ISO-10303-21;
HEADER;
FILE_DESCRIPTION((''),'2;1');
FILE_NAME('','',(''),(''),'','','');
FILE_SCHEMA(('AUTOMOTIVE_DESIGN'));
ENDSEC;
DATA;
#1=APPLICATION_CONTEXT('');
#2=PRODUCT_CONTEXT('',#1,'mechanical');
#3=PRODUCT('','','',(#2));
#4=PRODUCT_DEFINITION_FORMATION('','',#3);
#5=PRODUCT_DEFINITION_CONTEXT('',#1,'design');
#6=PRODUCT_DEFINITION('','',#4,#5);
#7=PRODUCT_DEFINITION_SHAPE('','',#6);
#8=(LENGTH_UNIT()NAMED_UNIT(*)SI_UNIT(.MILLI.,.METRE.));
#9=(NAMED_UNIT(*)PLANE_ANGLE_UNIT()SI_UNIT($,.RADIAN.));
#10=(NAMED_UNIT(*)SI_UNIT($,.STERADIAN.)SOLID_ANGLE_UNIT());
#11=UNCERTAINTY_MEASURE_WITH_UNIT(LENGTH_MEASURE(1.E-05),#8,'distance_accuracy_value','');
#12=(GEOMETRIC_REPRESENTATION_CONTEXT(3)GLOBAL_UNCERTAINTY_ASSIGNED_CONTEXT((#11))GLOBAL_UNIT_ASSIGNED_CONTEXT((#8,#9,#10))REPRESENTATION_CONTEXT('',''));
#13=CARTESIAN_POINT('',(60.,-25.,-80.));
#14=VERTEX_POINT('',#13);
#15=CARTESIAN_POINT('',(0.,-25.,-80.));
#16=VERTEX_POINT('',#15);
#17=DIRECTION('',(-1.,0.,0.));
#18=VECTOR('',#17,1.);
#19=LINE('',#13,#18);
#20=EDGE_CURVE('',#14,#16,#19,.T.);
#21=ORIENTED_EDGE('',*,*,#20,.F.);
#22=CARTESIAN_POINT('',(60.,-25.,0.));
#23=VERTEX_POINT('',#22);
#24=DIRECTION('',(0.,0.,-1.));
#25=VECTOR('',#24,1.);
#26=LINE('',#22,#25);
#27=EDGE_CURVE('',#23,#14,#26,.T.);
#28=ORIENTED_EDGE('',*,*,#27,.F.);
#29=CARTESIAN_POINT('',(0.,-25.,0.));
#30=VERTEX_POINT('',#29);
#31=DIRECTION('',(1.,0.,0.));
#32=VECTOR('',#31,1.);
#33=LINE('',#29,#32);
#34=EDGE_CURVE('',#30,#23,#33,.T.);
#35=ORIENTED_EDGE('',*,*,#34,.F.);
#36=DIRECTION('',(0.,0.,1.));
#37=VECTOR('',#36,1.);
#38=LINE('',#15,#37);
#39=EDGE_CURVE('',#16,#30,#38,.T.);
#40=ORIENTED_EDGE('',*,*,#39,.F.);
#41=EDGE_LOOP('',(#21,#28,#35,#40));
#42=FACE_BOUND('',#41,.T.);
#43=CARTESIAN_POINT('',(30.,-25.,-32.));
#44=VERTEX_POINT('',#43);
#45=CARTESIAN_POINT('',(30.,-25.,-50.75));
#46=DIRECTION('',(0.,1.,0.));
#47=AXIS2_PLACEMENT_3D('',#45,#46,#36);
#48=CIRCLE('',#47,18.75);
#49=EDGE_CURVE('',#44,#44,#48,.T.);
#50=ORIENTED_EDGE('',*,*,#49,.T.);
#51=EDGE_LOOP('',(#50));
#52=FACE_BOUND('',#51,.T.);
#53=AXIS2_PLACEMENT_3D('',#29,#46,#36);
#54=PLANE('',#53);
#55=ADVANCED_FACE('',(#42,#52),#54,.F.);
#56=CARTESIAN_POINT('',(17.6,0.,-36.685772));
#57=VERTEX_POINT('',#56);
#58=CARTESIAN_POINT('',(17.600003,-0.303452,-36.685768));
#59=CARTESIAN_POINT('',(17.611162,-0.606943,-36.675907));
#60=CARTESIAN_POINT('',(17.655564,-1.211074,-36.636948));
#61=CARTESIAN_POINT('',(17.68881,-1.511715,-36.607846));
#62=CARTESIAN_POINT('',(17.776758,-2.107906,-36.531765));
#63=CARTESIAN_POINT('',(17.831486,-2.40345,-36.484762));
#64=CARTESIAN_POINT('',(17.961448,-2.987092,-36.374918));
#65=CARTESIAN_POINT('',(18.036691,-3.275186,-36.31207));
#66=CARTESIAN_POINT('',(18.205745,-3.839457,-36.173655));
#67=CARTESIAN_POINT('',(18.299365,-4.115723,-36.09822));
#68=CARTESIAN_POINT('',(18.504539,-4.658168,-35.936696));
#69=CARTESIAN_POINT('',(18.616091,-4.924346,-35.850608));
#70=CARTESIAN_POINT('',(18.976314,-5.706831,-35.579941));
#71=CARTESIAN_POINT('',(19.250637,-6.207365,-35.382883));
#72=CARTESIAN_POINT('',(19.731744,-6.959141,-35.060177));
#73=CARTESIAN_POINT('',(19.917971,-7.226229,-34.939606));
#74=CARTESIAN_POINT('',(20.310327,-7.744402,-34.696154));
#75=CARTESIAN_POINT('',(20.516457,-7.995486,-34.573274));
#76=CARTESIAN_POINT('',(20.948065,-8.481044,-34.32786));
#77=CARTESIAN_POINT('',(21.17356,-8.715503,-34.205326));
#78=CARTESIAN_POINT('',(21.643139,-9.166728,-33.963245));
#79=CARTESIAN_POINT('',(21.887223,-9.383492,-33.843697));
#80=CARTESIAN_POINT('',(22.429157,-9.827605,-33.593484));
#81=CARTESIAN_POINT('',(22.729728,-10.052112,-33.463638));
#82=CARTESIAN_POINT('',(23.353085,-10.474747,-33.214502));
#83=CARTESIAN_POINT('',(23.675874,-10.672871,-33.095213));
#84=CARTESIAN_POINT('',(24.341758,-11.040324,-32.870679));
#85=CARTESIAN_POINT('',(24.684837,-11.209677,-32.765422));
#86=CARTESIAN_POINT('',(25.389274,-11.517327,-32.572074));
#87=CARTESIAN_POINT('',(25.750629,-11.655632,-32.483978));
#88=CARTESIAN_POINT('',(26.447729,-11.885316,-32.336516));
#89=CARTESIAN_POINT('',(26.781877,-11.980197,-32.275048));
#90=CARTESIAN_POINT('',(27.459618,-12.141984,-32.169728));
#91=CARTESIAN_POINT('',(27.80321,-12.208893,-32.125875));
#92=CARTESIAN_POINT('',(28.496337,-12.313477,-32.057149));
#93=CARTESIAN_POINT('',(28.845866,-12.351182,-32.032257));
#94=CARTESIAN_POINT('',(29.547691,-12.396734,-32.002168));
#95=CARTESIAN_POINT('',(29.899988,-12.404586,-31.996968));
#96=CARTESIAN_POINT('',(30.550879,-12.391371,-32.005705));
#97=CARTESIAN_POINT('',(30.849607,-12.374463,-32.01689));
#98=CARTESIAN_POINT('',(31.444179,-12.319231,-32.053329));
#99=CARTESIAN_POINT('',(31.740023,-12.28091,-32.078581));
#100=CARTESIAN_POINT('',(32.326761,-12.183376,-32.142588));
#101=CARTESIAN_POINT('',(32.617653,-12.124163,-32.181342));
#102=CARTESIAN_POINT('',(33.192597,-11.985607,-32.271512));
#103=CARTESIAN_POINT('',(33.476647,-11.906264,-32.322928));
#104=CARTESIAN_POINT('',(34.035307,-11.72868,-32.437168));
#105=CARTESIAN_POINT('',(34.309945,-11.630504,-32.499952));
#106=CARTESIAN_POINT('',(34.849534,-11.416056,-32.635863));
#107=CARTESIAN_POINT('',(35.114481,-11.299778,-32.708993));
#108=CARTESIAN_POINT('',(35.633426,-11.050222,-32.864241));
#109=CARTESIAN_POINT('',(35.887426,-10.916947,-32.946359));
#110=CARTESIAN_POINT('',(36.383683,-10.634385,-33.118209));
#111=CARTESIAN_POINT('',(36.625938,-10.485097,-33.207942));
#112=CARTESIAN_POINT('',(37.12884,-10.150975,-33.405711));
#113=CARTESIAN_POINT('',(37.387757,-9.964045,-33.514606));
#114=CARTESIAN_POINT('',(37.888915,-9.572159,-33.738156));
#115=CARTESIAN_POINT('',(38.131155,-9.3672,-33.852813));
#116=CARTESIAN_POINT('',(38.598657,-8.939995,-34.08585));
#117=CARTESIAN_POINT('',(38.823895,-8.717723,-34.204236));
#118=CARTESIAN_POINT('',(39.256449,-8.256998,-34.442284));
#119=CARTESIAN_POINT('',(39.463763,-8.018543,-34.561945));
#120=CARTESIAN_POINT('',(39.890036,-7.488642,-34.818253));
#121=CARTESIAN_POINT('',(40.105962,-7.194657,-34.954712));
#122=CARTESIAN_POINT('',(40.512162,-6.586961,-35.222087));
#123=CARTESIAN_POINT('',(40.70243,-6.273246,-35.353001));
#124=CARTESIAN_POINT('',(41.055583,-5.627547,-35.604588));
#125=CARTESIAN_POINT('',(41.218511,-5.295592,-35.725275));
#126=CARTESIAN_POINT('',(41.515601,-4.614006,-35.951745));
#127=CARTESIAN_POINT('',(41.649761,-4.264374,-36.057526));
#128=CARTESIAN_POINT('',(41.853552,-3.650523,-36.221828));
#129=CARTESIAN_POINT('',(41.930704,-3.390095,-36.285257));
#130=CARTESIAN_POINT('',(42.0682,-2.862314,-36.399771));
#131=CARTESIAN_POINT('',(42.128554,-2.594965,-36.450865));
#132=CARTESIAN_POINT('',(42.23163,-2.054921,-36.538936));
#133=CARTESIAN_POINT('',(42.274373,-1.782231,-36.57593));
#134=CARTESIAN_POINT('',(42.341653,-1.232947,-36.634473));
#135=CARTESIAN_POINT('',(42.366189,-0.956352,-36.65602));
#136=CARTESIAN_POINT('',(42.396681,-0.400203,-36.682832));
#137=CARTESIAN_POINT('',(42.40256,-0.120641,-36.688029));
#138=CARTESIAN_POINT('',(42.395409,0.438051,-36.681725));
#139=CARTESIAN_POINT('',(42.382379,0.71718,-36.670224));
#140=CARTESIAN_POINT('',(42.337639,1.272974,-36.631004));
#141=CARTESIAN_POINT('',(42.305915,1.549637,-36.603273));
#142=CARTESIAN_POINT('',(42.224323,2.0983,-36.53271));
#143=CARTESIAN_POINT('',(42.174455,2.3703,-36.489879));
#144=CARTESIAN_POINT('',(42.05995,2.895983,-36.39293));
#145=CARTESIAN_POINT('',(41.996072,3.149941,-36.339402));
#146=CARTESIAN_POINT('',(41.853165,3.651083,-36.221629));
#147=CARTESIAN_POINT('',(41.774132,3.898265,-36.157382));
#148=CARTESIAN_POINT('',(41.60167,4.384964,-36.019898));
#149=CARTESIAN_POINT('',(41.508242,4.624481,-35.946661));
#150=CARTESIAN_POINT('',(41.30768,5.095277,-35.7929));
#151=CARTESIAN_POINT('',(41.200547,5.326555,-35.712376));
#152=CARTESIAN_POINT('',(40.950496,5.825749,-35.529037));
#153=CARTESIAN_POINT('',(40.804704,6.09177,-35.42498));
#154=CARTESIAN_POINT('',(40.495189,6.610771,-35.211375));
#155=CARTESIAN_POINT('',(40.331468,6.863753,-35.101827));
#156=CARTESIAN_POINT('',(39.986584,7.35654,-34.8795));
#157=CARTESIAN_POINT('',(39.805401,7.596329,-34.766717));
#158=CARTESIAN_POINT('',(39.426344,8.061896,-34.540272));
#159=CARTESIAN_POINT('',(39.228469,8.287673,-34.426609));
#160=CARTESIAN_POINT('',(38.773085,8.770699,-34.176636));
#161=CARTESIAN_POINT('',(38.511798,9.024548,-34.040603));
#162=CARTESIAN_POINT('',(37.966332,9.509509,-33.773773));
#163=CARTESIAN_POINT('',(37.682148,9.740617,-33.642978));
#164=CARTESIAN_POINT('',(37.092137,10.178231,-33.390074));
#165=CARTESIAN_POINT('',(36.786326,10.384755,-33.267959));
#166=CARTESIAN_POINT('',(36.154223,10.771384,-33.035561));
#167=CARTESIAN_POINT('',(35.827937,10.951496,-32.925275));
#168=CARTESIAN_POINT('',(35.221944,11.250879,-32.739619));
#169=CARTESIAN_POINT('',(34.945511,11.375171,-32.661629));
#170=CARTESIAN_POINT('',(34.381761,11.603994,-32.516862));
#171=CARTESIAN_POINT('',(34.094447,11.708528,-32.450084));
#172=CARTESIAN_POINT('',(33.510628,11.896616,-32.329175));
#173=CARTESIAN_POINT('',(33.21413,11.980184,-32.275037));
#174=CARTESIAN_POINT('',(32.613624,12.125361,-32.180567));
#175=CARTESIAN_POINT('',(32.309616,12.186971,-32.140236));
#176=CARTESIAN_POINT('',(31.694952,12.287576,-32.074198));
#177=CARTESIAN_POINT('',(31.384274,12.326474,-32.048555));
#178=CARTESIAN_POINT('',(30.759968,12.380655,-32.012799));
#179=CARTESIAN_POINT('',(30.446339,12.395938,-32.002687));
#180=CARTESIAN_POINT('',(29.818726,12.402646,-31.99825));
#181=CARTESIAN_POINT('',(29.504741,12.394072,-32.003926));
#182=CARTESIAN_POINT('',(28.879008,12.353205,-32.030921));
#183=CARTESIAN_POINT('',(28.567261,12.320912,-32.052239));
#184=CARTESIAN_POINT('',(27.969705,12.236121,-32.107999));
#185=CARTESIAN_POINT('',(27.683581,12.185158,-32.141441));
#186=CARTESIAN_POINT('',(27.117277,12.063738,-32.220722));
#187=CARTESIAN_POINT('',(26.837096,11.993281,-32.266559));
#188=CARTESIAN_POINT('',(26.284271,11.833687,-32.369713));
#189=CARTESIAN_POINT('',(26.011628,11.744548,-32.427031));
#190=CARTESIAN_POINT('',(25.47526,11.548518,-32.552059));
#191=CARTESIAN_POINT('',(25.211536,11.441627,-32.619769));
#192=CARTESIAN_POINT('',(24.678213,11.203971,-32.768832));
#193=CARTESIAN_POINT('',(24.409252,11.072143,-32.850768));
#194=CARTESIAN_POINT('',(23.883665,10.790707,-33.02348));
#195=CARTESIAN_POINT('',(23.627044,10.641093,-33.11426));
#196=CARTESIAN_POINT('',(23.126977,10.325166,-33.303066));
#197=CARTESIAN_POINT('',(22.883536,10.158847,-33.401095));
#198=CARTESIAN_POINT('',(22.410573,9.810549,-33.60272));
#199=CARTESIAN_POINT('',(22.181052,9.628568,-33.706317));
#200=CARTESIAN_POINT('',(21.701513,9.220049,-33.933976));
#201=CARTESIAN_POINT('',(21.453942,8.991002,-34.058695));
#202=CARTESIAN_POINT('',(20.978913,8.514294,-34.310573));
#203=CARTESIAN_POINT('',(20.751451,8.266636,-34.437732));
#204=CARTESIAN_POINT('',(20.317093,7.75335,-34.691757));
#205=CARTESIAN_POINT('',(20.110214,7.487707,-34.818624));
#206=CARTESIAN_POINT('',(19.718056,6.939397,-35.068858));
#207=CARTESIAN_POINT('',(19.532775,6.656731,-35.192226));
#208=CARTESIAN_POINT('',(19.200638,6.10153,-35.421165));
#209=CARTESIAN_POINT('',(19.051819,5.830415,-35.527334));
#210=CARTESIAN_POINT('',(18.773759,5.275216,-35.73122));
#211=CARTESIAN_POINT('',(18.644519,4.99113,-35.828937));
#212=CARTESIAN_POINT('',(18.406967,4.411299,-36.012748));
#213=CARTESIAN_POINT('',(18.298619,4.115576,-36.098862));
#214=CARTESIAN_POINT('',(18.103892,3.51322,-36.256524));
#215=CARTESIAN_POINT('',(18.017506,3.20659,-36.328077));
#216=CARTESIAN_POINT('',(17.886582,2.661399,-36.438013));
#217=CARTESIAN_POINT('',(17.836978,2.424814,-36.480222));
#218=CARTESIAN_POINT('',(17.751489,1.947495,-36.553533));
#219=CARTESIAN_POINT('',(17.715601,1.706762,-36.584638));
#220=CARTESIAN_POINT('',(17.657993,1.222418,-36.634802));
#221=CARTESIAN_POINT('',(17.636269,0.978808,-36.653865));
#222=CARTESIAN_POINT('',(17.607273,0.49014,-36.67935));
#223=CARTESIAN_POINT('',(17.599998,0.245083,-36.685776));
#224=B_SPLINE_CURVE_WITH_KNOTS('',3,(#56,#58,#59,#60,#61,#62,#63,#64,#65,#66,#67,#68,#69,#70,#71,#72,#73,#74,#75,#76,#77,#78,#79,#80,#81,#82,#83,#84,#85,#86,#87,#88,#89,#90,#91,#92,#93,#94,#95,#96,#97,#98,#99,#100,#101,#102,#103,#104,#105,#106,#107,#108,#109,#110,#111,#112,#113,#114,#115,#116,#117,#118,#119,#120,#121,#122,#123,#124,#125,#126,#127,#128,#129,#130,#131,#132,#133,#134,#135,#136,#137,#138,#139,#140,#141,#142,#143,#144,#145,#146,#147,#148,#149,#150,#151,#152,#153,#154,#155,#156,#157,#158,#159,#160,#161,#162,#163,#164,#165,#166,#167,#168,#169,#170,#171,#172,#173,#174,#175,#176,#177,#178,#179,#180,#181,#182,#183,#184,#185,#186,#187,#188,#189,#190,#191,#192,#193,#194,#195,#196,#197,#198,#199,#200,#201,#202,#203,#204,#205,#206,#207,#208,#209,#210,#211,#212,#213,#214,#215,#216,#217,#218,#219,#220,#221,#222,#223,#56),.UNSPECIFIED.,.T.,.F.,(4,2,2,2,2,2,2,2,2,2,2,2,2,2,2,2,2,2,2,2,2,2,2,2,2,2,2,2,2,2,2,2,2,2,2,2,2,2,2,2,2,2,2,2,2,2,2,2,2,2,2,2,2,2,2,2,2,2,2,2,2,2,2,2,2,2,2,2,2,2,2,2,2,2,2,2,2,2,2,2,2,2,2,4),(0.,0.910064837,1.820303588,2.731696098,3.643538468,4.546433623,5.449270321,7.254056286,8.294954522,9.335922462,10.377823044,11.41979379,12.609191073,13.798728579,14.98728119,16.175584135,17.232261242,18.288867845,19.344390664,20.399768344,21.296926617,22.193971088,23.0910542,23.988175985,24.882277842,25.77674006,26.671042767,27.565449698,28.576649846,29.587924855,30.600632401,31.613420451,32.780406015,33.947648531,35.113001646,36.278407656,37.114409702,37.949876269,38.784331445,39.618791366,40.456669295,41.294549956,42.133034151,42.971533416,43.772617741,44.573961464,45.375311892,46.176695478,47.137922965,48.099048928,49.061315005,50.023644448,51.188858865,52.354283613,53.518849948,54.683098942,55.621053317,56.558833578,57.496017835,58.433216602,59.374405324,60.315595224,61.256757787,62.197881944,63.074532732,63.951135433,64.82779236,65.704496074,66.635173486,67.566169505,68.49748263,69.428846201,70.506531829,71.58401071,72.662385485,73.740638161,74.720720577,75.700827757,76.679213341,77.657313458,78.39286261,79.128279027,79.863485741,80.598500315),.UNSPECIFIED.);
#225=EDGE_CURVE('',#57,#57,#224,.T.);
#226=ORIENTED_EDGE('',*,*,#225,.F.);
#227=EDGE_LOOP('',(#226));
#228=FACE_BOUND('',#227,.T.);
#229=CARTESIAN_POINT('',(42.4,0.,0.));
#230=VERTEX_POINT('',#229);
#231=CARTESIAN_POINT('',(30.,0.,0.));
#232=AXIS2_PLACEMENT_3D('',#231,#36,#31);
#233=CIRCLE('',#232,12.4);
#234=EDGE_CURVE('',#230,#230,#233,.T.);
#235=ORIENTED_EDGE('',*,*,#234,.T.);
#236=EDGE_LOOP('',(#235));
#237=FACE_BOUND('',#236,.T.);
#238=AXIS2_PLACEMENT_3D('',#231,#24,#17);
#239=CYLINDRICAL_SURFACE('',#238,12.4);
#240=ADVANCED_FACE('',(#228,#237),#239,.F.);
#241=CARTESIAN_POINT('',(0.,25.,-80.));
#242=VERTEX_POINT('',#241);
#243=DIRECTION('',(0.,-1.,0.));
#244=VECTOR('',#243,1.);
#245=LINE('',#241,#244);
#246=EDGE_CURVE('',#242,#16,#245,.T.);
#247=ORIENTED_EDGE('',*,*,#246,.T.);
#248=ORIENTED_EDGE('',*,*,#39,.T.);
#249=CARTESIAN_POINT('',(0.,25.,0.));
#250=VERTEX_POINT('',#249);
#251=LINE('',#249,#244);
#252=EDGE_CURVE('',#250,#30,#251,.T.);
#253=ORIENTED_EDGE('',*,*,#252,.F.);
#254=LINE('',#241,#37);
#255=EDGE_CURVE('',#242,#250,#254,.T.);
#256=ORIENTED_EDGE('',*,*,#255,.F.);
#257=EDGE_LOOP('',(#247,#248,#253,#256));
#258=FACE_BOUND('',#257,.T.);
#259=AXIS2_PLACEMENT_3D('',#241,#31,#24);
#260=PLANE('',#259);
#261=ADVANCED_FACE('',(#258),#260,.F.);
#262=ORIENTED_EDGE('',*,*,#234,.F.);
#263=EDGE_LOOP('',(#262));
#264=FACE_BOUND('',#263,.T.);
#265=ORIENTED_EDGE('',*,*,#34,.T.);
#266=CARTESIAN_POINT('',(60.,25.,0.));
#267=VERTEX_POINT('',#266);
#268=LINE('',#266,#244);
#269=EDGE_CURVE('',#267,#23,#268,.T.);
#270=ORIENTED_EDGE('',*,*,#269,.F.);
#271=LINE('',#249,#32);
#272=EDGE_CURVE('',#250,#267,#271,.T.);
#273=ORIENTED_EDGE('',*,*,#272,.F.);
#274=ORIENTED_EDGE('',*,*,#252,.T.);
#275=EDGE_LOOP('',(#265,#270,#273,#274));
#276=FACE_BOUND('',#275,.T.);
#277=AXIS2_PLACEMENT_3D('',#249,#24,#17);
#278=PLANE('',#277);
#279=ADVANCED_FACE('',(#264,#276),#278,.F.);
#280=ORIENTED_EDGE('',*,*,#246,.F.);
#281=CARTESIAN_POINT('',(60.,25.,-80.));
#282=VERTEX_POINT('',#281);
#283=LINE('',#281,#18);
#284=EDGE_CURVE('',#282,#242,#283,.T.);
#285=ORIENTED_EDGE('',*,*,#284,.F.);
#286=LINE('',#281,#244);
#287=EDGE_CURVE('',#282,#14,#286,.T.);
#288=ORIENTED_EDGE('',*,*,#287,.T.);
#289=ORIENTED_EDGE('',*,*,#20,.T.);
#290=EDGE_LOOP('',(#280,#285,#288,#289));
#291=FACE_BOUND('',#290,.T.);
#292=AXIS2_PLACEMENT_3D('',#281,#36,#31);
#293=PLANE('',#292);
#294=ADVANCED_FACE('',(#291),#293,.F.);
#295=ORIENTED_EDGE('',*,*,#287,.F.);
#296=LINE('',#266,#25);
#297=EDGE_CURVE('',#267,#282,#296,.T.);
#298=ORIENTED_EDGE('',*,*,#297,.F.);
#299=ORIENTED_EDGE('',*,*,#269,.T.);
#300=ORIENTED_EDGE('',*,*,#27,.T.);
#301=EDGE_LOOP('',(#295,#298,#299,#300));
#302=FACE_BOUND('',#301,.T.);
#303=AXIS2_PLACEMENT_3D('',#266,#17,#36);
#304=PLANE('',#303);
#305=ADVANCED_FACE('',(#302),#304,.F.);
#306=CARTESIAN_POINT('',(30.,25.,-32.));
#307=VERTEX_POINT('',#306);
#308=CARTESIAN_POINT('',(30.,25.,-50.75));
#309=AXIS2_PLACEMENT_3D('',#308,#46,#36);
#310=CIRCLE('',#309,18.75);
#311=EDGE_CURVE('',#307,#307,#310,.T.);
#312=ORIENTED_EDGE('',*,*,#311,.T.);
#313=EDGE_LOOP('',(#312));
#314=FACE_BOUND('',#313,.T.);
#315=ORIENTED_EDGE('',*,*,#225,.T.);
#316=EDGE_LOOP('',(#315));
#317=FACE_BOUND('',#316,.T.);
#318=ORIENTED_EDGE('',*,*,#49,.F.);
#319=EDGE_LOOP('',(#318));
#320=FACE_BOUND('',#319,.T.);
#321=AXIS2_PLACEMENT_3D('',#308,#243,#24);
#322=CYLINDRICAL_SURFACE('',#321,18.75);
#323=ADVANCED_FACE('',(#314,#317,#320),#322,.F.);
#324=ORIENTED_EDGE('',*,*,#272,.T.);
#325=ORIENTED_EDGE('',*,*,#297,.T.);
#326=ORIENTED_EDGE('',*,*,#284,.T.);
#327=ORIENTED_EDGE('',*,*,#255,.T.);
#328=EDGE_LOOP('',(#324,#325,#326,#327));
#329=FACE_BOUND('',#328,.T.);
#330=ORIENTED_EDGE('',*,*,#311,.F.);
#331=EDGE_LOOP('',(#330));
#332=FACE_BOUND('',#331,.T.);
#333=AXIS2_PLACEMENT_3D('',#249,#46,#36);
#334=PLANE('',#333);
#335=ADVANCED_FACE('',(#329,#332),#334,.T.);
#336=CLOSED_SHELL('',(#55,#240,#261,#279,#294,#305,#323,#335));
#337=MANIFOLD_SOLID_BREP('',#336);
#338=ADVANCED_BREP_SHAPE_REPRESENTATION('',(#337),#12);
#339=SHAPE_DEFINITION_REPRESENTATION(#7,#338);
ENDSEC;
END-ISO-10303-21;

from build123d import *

# Parameters (mm, degrees)
SKETCH1_W           = 60
SKETCH1_H           = 80
SKETCH1_R           = 18.75
BOSS_EXTRUDE1_DEPTH = 25
SKETCH4_R           = 12.4
CUT_EXTRUDE1_DEPTH  = 51.75


with BuildPart() as part:
    # Sketch1 → Boss-Extrude1 (new body, symmetric)
    with BuildSketch(Plane(origin=(0, 0, 0), x_dir=(1, 0, 0), z_dir=(0, 1, 0))):
        with Locations((30, 40)):
            Rectangle(SKETCH1_W, SKETCH1_H)
        with Locations((30, 50.75)):
            Circle(SKETCH1_R, mode=Mode.SUBTRACT)
    extrude(amount=BOSS_EXTRUDE1_DEPTH, both=True)

    # Sketch4 → Cut-Extrude1 (cut, through all)
    with BuildSketch(Plane.XY.offset(-50.75)):
        with Locations((30, 0)):
            Circle(SKETCH4_R)
    extrude(amount=CUT_EXTRUDE1_DEPTH, mode=Mode.SUBTRACT)


solid = part.part
